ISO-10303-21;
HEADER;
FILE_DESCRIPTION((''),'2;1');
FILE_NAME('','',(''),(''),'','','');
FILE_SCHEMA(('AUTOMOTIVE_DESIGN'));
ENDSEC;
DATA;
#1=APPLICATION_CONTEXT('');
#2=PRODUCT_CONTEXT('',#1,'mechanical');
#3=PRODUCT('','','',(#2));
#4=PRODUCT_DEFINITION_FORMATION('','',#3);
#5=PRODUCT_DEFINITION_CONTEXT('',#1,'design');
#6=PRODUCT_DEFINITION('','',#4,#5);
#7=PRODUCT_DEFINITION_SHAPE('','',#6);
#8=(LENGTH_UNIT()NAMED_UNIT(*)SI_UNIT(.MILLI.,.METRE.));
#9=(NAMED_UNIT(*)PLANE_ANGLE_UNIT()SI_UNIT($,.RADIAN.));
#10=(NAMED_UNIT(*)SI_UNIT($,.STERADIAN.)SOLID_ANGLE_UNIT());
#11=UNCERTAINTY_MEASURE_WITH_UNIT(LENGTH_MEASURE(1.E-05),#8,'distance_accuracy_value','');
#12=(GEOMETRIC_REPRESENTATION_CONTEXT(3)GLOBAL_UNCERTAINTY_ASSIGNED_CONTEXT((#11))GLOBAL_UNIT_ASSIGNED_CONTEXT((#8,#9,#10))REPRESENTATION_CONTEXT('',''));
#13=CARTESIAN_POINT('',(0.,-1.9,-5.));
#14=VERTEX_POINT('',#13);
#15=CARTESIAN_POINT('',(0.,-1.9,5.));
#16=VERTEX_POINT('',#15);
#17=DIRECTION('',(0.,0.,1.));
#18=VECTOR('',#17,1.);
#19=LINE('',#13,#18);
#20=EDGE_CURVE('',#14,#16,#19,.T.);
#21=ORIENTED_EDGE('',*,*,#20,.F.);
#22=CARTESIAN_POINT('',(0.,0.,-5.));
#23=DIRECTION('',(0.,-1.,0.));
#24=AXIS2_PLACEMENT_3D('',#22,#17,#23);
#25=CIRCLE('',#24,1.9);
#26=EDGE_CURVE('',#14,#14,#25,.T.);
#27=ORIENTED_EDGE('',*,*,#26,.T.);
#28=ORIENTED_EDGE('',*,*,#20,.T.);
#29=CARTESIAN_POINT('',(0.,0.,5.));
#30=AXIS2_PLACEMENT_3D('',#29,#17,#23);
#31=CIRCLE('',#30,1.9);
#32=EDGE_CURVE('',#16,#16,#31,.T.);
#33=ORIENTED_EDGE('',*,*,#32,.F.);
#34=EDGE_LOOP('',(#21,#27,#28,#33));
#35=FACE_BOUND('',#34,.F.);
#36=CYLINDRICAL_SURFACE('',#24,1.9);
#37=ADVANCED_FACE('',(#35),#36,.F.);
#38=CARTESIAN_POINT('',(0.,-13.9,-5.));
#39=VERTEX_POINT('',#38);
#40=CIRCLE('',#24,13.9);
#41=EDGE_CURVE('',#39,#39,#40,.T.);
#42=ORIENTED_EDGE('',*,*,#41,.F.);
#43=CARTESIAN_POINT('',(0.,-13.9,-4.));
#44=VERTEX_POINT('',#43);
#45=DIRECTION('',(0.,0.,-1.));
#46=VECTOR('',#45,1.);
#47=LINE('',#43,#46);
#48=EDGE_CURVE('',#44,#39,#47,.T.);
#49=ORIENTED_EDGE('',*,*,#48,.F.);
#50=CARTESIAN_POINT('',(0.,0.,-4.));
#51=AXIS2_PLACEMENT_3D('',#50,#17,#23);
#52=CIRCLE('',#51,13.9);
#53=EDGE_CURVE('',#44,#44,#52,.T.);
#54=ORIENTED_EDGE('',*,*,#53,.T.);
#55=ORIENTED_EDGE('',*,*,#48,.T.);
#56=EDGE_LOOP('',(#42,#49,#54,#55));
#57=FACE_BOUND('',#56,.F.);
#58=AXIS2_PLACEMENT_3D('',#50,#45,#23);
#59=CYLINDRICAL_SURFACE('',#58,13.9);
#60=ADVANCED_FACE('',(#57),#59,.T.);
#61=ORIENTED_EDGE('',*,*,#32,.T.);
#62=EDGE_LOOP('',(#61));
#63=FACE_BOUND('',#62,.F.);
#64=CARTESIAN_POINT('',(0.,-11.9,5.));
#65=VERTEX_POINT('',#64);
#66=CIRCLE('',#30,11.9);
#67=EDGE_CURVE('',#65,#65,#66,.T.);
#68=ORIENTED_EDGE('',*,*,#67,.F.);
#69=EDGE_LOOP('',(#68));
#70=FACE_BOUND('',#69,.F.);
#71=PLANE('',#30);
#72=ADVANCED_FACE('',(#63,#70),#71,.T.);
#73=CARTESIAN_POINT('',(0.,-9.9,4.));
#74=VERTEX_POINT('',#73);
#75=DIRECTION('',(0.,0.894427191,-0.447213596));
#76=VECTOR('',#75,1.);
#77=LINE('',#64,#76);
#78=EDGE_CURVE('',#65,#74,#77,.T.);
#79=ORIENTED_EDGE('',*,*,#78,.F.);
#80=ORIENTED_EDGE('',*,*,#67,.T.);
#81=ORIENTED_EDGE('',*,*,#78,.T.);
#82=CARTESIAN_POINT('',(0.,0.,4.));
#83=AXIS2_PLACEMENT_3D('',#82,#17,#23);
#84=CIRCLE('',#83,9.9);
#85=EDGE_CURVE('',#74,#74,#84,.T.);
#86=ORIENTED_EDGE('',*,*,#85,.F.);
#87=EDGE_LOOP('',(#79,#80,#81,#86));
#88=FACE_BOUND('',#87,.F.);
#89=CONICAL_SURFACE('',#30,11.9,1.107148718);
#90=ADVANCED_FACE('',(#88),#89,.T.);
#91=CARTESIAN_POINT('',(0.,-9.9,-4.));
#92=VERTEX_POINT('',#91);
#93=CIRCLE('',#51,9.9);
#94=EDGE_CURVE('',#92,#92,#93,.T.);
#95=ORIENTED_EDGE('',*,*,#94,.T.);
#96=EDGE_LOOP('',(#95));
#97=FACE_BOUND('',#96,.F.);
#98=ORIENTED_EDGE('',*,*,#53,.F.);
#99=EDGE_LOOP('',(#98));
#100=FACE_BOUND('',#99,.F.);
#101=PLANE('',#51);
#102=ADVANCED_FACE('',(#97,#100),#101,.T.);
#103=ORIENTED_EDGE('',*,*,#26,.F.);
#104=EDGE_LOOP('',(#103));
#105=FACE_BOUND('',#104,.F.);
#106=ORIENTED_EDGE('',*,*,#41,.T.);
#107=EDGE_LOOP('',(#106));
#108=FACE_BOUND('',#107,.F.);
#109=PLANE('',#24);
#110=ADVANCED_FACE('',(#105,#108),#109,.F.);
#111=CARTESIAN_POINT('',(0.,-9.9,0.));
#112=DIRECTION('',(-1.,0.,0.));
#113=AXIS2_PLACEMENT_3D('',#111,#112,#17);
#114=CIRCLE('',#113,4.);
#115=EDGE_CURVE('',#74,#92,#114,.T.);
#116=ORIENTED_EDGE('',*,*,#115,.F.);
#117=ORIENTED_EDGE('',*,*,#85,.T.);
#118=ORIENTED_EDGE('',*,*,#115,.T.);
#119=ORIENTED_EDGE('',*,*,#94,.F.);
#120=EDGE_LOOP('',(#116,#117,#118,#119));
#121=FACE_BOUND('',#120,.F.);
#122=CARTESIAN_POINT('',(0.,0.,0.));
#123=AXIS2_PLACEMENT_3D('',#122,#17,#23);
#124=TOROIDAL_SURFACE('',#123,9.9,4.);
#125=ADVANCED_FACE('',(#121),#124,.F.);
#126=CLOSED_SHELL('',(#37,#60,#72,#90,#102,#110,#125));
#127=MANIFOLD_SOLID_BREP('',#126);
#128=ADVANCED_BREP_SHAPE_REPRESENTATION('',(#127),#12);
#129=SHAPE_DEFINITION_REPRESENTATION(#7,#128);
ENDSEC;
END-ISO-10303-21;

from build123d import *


with BuildPart() as f1:
    # F0 (on Right) → F1 (revolve)
    with BuildSketch(Plane.YZ):
        with BuildLine():
            Line((-1.9, -5), (-1.9, 5))
            Line((-1.9, 5), (-9.9, 5))
            Line((-9.9, 5), (-11.9, 5))
            Line((-11.9, 5), (-9.9, 4))
            ThreePointArc((-9.9, 4), (-5.9, 0), (-9.9, -4))
            Line((-9.9, -4), (-13.9, -4))
            Line((-13.9, -4), (-13.9, -5))
            Line((-13.9, -5), (-9.9, -5))
            Line((-9.9, -5), (-1.9, -5))
        make_face()
    revolve(axis=Axis((0, 0, 2.5), (0, 0, 1)))


solid = f1.part
